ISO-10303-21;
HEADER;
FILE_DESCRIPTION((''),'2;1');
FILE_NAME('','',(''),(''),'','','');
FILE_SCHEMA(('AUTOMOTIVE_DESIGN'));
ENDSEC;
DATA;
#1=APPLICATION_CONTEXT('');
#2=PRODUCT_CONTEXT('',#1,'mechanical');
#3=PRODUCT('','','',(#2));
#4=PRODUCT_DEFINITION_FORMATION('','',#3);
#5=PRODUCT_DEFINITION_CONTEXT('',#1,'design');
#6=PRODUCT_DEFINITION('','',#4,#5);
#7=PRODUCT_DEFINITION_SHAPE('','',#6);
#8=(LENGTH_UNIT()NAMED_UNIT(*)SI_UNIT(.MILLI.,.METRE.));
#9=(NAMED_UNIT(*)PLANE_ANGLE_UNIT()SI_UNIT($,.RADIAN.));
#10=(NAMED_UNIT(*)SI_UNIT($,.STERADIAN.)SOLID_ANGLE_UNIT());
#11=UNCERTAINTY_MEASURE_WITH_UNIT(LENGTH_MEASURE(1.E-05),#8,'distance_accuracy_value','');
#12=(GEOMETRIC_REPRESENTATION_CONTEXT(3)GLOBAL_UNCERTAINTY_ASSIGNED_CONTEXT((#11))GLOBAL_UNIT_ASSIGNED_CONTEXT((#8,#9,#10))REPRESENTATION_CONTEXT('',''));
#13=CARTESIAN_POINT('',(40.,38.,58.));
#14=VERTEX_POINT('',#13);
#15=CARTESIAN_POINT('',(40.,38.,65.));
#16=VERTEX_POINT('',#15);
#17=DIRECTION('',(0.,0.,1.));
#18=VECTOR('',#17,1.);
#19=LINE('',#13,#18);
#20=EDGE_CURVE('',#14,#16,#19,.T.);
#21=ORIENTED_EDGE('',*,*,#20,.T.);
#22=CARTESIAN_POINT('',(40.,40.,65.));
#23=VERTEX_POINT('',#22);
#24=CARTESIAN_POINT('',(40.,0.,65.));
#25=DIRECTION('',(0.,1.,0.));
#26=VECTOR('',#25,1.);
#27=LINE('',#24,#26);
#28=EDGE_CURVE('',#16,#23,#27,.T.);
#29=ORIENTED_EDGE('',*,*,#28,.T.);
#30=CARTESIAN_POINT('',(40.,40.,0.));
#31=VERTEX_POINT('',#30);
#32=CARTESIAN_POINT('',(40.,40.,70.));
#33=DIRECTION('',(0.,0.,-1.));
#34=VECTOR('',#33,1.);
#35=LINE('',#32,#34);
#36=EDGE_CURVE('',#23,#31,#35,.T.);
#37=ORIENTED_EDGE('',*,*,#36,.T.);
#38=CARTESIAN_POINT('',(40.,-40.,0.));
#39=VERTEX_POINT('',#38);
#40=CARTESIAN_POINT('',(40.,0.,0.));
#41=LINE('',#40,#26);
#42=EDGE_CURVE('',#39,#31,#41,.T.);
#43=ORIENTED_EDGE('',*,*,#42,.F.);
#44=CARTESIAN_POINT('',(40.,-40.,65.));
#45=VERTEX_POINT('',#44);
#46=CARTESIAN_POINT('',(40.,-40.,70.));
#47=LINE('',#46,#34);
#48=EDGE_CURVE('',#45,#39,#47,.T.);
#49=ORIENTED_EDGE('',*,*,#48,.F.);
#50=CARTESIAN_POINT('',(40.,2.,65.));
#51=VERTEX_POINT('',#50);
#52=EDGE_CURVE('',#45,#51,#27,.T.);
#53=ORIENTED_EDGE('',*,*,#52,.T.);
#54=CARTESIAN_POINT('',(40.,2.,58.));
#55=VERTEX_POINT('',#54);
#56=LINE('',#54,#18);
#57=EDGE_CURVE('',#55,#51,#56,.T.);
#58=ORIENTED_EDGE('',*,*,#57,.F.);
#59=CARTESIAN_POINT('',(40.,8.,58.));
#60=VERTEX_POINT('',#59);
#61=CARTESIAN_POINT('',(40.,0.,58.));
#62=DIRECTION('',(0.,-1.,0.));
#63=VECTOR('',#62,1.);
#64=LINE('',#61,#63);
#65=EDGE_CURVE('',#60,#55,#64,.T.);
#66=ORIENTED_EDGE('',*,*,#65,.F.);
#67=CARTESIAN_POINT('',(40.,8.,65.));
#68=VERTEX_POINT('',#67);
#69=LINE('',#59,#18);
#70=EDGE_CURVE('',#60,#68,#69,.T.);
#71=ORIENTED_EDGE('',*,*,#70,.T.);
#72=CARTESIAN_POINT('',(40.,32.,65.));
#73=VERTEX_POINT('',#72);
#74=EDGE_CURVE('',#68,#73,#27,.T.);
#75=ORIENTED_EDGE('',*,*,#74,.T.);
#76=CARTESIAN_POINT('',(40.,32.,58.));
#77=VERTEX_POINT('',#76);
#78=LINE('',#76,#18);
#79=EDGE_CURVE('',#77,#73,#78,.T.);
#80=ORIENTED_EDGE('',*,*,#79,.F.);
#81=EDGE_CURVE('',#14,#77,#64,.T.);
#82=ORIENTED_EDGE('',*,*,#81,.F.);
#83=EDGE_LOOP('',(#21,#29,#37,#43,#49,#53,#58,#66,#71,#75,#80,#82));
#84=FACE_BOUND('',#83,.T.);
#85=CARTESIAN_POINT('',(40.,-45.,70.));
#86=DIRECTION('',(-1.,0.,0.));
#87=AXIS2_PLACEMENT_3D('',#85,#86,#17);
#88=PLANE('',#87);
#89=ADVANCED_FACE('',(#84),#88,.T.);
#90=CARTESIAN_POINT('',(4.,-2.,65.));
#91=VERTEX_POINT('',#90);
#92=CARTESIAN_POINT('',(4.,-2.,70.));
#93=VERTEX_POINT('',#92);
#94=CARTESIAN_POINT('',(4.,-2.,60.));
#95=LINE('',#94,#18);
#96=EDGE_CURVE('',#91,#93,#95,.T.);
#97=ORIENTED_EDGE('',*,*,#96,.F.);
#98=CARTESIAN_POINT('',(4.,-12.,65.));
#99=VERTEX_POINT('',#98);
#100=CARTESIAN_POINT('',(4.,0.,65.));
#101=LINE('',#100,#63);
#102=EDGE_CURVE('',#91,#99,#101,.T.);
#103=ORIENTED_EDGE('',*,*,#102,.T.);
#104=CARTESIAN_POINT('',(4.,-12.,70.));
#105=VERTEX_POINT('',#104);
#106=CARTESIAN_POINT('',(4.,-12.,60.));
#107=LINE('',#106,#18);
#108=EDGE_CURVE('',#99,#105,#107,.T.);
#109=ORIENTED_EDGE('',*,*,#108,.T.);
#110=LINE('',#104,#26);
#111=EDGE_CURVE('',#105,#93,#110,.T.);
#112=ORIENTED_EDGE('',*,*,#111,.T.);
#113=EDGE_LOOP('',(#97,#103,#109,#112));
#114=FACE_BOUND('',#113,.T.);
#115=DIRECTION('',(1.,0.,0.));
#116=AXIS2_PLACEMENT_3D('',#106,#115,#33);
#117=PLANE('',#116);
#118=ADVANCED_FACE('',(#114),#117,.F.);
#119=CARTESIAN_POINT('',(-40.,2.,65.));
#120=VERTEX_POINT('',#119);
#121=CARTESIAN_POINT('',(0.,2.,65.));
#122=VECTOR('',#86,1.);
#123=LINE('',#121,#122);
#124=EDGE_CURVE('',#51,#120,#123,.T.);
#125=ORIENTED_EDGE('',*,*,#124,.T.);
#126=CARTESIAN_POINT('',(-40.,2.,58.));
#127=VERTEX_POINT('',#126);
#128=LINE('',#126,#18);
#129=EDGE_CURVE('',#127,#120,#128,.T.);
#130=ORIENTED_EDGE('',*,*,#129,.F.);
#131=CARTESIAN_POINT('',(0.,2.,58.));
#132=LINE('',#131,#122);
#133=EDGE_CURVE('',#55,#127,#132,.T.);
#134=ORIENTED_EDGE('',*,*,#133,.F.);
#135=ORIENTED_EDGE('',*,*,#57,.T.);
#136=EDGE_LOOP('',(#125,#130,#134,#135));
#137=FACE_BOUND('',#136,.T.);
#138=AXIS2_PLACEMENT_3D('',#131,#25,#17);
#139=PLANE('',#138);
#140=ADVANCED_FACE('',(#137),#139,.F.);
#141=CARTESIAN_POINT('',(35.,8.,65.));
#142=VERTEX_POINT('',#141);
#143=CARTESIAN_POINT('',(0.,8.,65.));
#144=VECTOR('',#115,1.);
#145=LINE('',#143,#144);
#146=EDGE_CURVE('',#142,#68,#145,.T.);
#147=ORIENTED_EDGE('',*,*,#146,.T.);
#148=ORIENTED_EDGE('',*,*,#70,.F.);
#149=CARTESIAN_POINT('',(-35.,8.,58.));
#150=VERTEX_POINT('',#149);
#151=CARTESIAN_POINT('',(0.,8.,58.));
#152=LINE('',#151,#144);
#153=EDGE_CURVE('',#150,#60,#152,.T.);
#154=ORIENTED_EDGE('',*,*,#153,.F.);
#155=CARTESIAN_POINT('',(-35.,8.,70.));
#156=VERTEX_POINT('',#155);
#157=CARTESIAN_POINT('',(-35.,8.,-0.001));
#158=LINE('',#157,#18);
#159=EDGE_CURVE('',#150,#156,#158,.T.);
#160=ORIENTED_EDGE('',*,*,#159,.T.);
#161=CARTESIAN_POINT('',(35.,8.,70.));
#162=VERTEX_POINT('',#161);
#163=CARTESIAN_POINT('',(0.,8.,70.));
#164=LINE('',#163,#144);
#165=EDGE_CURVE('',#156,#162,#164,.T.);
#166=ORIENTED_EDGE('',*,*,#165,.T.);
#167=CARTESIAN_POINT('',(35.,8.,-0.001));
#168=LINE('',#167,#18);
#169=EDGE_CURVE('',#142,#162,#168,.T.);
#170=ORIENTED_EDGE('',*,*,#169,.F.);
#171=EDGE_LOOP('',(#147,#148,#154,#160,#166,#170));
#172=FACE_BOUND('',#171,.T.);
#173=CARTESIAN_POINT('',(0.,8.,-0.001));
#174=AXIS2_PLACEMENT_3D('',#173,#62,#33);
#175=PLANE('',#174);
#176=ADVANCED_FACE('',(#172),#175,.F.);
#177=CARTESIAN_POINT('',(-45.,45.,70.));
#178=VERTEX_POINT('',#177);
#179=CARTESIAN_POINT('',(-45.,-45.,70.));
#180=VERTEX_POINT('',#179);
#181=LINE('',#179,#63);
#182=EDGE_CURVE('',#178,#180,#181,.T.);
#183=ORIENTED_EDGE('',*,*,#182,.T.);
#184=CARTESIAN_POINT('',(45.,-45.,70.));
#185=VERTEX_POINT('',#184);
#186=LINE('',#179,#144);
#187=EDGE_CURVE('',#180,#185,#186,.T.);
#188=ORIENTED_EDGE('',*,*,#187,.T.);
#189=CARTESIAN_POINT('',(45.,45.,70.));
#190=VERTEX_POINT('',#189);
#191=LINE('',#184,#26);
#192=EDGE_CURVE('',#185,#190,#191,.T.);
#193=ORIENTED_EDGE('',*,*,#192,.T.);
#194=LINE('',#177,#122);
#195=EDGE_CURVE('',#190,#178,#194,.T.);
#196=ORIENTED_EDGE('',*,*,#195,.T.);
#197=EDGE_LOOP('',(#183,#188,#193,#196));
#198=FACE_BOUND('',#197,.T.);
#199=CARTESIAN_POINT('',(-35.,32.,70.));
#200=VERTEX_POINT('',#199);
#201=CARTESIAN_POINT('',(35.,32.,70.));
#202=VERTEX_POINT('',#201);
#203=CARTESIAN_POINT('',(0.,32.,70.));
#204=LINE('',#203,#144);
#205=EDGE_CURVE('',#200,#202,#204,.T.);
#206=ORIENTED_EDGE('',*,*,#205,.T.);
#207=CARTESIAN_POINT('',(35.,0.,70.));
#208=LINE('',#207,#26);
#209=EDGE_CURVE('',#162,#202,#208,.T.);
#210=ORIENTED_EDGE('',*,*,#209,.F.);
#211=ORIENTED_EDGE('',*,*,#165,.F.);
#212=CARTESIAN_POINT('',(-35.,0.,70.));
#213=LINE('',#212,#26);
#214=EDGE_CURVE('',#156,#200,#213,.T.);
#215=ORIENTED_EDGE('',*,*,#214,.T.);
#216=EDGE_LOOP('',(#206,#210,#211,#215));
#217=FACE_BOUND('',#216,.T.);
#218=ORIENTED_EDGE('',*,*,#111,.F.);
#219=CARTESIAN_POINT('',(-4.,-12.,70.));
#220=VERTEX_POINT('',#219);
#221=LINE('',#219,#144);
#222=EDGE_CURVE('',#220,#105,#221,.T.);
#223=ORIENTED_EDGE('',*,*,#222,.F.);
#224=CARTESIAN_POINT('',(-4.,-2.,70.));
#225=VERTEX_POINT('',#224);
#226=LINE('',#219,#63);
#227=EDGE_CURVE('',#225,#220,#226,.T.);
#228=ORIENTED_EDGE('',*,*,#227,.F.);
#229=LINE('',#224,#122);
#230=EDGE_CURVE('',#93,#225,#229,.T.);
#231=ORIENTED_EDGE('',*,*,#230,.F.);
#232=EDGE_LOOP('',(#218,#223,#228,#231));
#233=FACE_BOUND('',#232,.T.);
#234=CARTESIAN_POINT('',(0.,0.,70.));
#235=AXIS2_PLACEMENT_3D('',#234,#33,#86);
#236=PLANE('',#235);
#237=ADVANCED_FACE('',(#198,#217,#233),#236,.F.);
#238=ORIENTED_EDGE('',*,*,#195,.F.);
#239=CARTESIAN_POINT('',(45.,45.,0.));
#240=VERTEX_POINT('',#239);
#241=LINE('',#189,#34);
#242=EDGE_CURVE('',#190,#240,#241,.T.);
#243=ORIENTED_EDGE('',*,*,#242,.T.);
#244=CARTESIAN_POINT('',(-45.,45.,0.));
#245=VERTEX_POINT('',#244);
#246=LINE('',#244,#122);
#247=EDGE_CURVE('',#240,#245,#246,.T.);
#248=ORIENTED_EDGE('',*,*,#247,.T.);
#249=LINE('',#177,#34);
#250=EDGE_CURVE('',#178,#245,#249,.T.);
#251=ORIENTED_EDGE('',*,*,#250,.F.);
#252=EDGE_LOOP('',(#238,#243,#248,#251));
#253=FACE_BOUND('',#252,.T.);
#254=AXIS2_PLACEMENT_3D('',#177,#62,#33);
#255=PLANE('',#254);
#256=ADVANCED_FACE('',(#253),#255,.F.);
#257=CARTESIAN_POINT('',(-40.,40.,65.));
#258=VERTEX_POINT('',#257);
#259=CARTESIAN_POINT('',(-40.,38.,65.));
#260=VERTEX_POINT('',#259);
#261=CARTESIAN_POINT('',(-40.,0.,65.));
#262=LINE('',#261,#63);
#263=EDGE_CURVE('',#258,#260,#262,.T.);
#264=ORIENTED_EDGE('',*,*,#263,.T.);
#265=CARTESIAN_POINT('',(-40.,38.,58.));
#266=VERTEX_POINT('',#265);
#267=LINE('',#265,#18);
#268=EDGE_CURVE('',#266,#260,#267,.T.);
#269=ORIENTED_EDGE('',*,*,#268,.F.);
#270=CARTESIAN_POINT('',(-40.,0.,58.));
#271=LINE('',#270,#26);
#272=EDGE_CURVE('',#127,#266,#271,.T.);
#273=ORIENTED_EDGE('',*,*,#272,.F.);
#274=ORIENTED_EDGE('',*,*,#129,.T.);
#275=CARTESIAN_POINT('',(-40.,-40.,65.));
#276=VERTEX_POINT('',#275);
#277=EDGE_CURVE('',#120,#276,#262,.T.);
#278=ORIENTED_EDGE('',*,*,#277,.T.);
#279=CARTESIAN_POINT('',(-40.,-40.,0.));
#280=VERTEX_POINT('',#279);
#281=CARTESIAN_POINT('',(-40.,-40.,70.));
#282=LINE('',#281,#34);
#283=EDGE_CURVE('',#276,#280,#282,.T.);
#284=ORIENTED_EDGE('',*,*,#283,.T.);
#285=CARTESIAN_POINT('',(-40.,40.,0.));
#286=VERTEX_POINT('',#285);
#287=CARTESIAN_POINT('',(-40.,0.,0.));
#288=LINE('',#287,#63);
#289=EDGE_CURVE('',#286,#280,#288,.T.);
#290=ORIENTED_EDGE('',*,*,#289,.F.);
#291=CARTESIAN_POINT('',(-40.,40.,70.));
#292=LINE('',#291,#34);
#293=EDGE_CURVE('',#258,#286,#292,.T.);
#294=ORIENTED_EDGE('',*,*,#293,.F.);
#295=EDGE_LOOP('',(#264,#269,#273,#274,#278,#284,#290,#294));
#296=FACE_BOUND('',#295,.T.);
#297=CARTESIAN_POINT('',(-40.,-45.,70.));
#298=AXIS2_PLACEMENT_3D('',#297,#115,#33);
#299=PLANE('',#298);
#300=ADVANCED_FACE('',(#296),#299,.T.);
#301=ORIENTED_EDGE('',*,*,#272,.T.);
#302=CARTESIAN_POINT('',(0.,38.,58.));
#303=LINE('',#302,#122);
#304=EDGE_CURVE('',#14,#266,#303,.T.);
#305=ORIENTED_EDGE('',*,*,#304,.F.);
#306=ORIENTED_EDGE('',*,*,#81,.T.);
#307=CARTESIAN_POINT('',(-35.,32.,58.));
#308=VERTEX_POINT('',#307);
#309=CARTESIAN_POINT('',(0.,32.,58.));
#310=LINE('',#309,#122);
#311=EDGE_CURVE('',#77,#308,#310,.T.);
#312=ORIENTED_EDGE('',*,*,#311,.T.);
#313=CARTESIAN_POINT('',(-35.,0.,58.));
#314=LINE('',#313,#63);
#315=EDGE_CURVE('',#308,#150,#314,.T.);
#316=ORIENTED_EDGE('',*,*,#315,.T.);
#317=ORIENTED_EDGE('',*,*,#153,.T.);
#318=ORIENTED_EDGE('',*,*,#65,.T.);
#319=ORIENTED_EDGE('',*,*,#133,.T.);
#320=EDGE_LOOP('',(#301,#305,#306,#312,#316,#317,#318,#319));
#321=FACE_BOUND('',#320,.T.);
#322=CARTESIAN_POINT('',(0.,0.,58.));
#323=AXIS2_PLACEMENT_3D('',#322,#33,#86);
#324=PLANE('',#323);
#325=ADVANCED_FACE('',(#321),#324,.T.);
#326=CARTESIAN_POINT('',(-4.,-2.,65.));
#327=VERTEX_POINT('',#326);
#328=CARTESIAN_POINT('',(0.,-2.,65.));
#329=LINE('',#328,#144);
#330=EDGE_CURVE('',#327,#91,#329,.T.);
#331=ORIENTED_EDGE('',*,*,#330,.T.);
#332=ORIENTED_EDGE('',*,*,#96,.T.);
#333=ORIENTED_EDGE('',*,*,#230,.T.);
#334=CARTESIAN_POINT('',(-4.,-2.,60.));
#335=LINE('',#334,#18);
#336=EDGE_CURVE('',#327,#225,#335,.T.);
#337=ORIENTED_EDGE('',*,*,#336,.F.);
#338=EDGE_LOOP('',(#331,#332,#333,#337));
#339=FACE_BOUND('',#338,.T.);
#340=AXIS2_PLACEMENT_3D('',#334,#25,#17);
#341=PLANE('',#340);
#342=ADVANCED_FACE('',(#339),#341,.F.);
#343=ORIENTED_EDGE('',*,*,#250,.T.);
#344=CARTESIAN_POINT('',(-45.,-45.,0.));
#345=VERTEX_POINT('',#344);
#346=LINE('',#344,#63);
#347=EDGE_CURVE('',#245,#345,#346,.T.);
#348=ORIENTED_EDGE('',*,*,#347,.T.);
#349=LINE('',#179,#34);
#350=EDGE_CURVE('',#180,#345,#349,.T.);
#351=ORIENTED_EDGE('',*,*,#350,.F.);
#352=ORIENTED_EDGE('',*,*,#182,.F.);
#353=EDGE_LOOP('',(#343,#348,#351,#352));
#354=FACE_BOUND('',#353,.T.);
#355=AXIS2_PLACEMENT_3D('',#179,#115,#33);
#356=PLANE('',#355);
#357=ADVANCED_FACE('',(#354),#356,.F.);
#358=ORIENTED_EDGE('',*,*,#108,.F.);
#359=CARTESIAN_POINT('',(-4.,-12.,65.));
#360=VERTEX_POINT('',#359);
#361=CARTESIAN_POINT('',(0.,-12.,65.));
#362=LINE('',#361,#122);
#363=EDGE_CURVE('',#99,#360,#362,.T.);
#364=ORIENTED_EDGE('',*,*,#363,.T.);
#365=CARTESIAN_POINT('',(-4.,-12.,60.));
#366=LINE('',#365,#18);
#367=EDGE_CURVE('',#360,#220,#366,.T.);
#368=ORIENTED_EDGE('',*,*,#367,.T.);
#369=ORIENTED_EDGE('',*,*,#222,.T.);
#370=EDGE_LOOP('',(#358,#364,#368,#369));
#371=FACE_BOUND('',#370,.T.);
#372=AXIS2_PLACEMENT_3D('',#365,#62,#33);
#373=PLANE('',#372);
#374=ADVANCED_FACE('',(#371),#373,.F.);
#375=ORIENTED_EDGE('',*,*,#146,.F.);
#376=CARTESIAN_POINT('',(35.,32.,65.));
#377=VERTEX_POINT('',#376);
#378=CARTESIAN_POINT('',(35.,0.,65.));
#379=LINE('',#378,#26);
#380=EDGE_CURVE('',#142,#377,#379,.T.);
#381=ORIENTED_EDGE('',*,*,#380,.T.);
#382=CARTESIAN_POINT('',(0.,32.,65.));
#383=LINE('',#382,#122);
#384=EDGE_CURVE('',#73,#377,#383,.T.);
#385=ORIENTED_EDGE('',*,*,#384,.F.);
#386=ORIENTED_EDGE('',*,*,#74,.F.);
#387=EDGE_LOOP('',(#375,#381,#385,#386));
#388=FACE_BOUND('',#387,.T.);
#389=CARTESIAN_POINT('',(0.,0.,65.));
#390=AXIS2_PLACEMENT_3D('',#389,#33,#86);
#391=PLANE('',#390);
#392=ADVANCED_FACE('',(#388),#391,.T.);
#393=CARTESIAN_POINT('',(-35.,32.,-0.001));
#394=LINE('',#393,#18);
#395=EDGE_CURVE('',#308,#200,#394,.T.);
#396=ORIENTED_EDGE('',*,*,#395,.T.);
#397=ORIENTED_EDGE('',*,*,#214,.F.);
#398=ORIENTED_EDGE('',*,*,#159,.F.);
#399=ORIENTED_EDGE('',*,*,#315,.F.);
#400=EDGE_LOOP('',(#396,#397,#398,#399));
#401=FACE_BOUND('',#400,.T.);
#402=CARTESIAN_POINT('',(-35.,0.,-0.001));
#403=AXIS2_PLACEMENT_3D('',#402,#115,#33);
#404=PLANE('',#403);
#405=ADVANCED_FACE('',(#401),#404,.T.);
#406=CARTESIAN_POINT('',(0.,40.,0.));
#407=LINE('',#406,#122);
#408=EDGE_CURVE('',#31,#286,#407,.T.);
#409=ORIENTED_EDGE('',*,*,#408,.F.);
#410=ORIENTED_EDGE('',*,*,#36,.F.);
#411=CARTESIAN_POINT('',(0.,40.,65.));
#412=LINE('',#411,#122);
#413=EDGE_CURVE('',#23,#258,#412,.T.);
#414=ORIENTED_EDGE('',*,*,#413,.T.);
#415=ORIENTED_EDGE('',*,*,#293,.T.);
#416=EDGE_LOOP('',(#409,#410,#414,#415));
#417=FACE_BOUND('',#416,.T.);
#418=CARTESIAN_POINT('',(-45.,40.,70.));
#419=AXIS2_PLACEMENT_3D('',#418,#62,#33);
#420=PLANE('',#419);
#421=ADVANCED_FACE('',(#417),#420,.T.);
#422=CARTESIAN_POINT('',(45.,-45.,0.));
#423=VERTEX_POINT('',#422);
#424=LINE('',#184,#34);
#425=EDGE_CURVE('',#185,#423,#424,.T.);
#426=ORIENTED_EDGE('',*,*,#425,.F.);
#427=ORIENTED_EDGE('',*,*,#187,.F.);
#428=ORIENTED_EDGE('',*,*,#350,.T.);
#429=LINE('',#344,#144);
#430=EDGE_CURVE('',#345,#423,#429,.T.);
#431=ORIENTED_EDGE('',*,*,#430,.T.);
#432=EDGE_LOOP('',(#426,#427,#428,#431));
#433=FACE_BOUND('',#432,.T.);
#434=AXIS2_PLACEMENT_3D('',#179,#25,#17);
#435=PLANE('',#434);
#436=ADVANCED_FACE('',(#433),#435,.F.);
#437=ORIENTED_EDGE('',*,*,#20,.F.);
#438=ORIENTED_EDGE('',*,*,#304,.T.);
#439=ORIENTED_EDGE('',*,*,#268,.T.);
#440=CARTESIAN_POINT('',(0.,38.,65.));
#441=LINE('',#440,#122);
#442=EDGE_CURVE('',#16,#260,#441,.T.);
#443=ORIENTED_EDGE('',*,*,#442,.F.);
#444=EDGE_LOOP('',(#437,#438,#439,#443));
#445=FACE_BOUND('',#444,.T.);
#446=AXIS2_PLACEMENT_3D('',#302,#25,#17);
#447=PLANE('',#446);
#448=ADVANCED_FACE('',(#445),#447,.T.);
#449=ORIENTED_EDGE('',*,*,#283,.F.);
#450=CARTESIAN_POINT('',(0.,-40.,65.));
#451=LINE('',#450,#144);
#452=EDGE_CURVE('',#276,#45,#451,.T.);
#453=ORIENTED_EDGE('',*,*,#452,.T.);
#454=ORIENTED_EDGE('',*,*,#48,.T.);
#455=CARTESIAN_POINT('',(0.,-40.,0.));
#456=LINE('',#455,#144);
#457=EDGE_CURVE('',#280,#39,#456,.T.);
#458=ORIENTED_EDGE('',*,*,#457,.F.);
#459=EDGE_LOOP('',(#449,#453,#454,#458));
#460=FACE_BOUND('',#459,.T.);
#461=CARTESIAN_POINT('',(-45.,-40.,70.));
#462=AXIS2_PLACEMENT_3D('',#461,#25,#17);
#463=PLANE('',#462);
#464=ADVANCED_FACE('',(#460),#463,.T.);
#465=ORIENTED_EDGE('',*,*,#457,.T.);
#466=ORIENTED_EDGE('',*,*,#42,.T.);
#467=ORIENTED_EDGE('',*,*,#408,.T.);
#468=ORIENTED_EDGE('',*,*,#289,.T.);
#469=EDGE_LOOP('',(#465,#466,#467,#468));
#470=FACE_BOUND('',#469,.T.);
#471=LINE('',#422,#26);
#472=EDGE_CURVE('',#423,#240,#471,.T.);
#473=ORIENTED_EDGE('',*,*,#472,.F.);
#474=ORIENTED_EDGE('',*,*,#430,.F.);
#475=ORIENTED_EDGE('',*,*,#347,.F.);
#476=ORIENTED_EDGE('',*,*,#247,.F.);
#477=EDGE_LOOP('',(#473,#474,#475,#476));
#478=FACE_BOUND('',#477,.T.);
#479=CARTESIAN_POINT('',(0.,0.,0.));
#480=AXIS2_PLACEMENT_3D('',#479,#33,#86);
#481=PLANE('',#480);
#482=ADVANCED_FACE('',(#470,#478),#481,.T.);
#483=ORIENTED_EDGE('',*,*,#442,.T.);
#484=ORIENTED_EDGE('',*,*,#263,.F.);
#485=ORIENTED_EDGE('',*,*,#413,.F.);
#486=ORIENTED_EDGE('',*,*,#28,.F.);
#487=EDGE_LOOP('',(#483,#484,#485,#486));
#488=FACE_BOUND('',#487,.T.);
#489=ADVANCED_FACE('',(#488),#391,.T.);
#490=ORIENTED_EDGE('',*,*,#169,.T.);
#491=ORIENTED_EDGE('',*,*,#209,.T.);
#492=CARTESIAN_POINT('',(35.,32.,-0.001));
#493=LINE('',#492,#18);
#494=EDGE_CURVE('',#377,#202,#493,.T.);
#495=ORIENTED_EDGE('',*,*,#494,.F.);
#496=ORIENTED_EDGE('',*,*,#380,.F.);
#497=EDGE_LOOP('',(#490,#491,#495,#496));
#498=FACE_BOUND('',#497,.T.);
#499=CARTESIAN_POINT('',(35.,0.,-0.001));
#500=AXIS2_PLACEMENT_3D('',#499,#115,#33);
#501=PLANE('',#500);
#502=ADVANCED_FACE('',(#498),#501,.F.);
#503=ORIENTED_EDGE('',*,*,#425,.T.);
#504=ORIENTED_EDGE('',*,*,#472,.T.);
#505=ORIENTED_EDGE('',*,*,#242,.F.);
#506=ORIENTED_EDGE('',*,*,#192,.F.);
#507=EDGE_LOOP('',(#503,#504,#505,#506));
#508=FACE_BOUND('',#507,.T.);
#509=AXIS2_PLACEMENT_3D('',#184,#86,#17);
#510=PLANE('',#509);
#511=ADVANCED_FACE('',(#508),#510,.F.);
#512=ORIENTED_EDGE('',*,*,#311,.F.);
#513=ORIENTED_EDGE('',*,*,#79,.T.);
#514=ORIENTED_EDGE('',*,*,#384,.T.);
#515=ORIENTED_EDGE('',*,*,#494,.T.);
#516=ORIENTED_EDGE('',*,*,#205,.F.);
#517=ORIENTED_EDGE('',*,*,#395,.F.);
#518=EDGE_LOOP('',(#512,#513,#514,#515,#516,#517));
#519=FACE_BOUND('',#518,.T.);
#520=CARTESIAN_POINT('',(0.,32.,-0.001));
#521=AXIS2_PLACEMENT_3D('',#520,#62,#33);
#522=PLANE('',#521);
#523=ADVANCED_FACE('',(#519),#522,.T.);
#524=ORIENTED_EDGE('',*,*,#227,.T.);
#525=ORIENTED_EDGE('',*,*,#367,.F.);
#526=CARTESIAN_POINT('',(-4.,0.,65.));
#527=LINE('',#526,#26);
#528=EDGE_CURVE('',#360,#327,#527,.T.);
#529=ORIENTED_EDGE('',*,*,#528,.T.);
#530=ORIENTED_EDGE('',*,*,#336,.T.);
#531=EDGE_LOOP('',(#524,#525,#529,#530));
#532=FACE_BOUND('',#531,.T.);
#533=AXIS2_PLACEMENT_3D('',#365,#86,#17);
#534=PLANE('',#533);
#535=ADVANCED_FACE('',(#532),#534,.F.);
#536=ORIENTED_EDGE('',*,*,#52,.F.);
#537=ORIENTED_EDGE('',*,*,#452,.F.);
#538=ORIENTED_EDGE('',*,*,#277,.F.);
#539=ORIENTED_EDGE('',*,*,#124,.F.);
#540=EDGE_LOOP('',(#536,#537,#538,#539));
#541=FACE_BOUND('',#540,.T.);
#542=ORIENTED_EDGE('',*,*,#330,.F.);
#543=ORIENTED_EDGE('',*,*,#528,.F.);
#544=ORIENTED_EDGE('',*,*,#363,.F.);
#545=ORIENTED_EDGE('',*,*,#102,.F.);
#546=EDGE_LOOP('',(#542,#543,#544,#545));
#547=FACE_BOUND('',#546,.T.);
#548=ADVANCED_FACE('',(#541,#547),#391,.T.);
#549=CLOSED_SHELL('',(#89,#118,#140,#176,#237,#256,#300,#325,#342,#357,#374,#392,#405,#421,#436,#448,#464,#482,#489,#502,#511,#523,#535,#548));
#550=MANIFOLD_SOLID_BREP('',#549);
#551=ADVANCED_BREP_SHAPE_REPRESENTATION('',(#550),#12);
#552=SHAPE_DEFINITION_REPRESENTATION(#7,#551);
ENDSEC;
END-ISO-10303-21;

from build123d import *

# Parameters (mm, degrees)
SKETCH1_W           = 90
SKETCH1_H           = 90
BOSS_EXTRUDE1_DEPTH = 70
SHELL2_T            = -5
CUT_EXTRUDE1_REACH  = 96.604
SKETCH2_W           = 70
SKETCH2_H           = 24
BOSS_EXTRUDE2_DEPTH = 7
SKETCH5_W           = 8
SKETCH5_H           = 10
CUT_EXTRUDE2_DEPTH  = 10


with BuildPart() as part:
    # Sketch1 → Boss-Extrude1 (new body)
    with BuildSketch(Plane.XY):
        Rectangle(SKETCH1_W, SKETCH1_H)
    extrude(amount=BOSS_EXTRUDE1_DEPTH)

    # Shell2
    shell2_openings = [part.faces().sort_by_distance(p)[0] for p in [
        (0, 0, 0),
    ]]
    offset(amount=SHELL2_T, openings=shell2_openings, kind=Kind.INTERSECTION)

    # Sketch2 → Cut-Extrude1 (cut, up to next)
    with BuildSketch(Plane.XY.offset(70), mode=Mode.PRIVATE) as cut_extrude1_sk1:
        with Locations((0, 20)):
            Rectangle(SKETCH2_W, SKETCH2_H)
    cut_extrude1_tool1 = extrude(cut_extrude1_sk1.sketch, amount=-CUT_EXTRUDE1_REACH, mode=Mode.PRIVATE) & part.part
    add(cut_extrude1_tool1.solids().sort_by_distance((0, 20, 70))[0], mode=Mode.SUBTRACT)

    # Sketch4 → Boss-Extrude2 (add)
    with BuildSketch(Plane(origin=(0, 0, 65), x_dir=(-1, 0, 0), z_dir=(0, 0, -1))):
        Polygon((-40, 38), (-40, 32), (-35, 32), (35, 32), (35, 8), (-35, 8), (-40, 8), (-40, 2), (40, 2), (40, 38), align=None)
    extrude(amount=BOSS_EXTRUDE2_DEPTH)

    # Sketch5 → Cut-Extrude2 (cut)
    with BuildSketch(Plane.XY.offset(70)):
        with Locations((0, -7)):
            Rectangle(SKETCH5_W, SKETCH5_H)
    extrude(amount=-CUT_EXTRUDE2_DEPTH, mode=Mode.SUBTRACT)


solid = part.part
